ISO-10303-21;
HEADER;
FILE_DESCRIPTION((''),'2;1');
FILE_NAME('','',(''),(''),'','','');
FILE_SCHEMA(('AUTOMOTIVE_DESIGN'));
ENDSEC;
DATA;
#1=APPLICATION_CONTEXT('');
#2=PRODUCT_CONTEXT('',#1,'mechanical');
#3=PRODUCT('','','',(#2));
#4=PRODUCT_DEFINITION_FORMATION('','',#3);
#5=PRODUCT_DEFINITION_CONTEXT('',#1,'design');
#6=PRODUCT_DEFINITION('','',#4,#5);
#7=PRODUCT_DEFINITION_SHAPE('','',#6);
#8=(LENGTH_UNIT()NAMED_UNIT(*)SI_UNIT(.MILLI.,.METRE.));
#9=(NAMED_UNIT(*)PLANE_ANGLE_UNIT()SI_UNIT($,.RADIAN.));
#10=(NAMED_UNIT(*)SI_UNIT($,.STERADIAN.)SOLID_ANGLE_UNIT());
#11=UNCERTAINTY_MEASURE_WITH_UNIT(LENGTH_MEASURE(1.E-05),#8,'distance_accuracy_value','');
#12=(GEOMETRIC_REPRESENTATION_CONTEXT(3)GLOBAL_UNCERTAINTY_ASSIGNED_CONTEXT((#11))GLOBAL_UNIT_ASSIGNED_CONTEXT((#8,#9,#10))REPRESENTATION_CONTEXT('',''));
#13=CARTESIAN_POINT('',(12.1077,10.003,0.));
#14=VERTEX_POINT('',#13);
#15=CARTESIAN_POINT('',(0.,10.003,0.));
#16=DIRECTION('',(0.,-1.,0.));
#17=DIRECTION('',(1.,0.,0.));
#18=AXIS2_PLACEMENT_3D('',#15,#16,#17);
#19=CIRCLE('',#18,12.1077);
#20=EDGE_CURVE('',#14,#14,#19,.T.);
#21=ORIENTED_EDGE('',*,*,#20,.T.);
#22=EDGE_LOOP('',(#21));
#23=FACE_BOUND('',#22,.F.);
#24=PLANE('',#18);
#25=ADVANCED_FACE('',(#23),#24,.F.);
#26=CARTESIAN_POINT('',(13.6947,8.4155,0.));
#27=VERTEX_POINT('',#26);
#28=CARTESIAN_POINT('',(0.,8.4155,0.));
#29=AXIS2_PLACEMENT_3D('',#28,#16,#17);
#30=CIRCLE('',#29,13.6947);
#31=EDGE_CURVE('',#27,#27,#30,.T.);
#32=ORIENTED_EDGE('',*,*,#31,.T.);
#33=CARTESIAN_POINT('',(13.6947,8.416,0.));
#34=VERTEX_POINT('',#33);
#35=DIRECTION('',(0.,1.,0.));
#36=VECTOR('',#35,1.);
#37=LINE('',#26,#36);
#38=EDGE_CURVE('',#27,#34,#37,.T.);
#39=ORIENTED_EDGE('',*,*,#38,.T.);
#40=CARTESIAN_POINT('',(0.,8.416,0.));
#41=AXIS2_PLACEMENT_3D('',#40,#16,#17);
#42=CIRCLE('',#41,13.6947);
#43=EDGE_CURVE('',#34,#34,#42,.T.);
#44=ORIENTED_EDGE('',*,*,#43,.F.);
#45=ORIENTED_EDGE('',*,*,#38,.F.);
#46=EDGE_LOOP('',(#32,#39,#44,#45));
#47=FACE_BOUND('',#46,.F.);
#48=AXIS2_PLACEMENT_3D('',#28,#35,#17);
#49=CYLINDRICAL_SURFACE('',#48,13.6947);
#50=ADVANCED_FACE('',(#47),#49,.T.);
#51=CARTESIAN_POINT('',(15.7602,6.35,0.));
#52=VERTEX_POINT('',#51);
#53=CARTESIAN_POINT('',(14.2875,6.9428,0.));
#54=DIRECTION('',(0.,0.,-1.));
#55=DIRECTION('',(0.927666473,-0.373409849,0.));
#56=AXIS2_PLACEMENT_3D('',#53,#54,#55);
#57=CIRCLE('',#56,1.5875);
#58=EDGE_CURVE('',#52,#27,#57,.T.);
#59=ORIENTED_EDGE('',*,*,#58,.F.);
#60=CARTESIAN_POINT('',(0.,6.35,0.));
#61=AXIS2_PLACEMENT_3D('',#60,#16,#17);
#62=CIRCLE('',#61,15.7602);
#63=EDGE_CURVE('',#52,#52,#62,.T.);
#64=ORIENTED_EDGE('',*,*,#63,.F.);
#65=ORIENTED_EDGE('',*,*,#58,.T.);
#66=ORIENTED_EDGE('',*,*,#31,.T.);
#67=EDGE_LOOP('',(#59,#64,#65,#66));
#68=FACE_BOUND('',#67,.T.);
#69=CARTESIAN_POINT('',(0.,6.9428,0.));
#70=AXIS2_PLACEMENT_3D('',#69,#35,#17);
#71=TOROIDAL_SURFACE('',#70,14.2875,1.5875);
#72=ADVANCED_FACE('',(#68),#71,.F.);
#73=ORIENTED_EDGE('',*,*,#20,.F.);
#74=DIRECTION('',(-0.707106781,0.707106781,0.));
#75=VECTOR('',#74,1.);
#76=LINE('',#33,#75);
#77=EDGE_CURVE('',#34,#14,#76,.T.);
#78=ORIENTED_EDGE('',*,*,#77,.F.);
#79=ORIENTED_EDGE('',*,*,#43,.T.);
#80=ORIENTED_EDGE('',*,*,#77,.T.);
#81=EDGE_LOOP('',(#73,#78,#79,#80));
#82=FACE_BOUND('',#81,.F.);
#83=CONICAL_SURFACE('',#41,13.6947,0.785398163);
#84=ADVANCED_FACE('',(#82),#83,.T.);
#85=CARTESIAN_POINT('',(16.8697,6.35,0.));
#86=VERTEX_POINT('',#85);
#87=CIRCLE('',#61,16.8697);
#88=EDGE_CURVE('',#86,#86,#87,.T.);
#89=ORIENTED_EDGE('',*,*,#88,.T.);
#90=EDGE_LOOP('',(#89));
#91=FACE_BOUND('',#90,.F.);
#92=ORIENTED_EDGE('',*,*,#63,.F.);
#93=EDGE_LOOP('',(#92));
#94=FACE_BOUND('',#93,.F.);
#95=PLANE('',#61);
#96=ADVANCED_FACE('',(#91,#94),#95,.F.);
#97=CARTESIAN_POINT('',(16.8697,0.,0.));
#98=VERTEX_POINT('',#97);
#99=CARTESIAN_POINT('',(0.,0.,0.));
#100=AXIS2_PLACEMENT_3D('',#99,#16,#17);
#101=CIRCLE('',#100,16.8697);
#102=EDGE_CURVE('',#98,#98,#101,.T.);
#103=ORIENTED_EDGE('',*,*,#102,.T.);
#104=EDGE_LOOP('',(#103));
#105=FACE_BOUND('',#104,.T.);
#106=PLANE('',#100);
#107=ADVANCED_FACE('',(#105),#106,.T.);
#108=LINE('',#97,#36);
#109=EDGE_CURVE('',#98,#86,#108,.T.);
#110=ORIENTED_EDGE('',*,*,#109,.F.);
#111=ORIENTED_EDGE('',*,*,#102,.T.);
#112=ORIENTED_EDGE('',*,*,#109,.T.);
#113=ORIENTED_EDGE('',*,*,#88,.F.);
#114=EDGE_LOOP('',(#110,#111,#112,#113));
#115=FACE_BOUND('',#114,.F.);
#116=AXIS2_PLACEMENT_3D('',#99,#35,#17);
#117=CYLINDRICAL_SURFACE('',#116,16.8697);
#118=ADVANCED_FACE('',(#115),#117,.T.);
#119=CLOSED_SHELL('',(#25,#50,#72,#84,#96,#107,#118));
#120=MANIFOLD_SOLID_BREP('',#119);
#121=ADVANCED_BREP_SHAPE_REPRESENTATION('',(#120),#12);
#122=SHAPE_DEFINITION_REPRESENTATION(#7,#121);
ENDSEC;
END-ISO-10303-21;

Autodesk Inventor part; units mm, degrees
ref_plane "YZ Plane" through (0, 0, 0) normal (1, 0, 0) x (0, 1, 0)
ref_plane "XZ Plane" through (0, 0, 0) normal (0, 1, 0) x (-1, 0, 0)
ref_plane "XY Plane" through (0, 0, 0) normal (0, 0, 1) x (1, 0, 0)
sketch "Sketch1" plane through (0, 0, 0) normal (0, 0, 1) x (1, 0, 0)
  line L0 (0, 0) -> (0, 6.35)
  line L1 (16.8697, 0) -> (0, 0)
  circle A0 centre (14.2875, 6.9428) radius 1.5875
  line L2 (0, 6.35) -> (12.8148, 6.35)
  line L3 (16.8697, 0) -> (16.8697, 6.35)
  line L4 (16.8697, 6.35) -> (15.7602, 6.35)
  line L5 (13.6947, 8.4155) -> (0, 8.4155)
  line L6 (0, 8.4155) -> (0, 6.35)
  line L7 (13.6947, 8.4155) -> (15.7602, 6.35) construction
  line L8 (13.6947, 8.4155) -> (13.6947, 10.003)
  line L9 (13.6947, 10.003) -> (0, 10.003)
  line L10 (0, 10.003) -> (0, 8.4155)
  dimension "d0" = 3.175
  dimension "d5" = 45
  dimension "d6" = 1.5875
  dimension "d7" = 3.175
  dimension "d8" = 6.35
  dimension "d13" = 14.2875
  dimension "d14" = 2.921
revolve "Revolution1" add sketch "Sketch1" angle 360 about axis through (0, 10.003, 0) along (0, -1, 0) contours L0 L2 A0 L4 L3 L1 | L6 L5 A0 L2 | L10 L9 L8 L5
chamfer "Chamfer1" distance 1.5875 angle 45 1 edges at (-13.6947, 10.003, 0)
sketch "Sketch2" plane through (0, 10.003, 0) normal (0, 1, 0) x (1, 0, 0)
  circle A0 centre (0, 0) radius 12.1072 projected
  point P0 (0, 0)
sketch "Sketch4" plane through (0, 10.003, 0) normal (0, 1, 0) x (1, 0, 0)
  circle A0 centre (0, 0) radius 3.1115
  circle A1 centre (0, 7.62) radius 1.905
  circle A2 centre (-6.5991, 3.81) radius 1.905
  circle A3 centre (-6.5991, -3.81) radius 1.905
  circle A4 centre (0, -7.62) radius 1.905
  circle A5 centre (6.5991, -3.81) radius 1.905
  circle A6 centre (6.5991, 3.81) radius 1.905
  dimension "d17" = 6.223
  dimension "d18" = 7.62
  dimension "d19" = 3.81
  dimension "d22" = 360
properties part number "Diaphragme2"
